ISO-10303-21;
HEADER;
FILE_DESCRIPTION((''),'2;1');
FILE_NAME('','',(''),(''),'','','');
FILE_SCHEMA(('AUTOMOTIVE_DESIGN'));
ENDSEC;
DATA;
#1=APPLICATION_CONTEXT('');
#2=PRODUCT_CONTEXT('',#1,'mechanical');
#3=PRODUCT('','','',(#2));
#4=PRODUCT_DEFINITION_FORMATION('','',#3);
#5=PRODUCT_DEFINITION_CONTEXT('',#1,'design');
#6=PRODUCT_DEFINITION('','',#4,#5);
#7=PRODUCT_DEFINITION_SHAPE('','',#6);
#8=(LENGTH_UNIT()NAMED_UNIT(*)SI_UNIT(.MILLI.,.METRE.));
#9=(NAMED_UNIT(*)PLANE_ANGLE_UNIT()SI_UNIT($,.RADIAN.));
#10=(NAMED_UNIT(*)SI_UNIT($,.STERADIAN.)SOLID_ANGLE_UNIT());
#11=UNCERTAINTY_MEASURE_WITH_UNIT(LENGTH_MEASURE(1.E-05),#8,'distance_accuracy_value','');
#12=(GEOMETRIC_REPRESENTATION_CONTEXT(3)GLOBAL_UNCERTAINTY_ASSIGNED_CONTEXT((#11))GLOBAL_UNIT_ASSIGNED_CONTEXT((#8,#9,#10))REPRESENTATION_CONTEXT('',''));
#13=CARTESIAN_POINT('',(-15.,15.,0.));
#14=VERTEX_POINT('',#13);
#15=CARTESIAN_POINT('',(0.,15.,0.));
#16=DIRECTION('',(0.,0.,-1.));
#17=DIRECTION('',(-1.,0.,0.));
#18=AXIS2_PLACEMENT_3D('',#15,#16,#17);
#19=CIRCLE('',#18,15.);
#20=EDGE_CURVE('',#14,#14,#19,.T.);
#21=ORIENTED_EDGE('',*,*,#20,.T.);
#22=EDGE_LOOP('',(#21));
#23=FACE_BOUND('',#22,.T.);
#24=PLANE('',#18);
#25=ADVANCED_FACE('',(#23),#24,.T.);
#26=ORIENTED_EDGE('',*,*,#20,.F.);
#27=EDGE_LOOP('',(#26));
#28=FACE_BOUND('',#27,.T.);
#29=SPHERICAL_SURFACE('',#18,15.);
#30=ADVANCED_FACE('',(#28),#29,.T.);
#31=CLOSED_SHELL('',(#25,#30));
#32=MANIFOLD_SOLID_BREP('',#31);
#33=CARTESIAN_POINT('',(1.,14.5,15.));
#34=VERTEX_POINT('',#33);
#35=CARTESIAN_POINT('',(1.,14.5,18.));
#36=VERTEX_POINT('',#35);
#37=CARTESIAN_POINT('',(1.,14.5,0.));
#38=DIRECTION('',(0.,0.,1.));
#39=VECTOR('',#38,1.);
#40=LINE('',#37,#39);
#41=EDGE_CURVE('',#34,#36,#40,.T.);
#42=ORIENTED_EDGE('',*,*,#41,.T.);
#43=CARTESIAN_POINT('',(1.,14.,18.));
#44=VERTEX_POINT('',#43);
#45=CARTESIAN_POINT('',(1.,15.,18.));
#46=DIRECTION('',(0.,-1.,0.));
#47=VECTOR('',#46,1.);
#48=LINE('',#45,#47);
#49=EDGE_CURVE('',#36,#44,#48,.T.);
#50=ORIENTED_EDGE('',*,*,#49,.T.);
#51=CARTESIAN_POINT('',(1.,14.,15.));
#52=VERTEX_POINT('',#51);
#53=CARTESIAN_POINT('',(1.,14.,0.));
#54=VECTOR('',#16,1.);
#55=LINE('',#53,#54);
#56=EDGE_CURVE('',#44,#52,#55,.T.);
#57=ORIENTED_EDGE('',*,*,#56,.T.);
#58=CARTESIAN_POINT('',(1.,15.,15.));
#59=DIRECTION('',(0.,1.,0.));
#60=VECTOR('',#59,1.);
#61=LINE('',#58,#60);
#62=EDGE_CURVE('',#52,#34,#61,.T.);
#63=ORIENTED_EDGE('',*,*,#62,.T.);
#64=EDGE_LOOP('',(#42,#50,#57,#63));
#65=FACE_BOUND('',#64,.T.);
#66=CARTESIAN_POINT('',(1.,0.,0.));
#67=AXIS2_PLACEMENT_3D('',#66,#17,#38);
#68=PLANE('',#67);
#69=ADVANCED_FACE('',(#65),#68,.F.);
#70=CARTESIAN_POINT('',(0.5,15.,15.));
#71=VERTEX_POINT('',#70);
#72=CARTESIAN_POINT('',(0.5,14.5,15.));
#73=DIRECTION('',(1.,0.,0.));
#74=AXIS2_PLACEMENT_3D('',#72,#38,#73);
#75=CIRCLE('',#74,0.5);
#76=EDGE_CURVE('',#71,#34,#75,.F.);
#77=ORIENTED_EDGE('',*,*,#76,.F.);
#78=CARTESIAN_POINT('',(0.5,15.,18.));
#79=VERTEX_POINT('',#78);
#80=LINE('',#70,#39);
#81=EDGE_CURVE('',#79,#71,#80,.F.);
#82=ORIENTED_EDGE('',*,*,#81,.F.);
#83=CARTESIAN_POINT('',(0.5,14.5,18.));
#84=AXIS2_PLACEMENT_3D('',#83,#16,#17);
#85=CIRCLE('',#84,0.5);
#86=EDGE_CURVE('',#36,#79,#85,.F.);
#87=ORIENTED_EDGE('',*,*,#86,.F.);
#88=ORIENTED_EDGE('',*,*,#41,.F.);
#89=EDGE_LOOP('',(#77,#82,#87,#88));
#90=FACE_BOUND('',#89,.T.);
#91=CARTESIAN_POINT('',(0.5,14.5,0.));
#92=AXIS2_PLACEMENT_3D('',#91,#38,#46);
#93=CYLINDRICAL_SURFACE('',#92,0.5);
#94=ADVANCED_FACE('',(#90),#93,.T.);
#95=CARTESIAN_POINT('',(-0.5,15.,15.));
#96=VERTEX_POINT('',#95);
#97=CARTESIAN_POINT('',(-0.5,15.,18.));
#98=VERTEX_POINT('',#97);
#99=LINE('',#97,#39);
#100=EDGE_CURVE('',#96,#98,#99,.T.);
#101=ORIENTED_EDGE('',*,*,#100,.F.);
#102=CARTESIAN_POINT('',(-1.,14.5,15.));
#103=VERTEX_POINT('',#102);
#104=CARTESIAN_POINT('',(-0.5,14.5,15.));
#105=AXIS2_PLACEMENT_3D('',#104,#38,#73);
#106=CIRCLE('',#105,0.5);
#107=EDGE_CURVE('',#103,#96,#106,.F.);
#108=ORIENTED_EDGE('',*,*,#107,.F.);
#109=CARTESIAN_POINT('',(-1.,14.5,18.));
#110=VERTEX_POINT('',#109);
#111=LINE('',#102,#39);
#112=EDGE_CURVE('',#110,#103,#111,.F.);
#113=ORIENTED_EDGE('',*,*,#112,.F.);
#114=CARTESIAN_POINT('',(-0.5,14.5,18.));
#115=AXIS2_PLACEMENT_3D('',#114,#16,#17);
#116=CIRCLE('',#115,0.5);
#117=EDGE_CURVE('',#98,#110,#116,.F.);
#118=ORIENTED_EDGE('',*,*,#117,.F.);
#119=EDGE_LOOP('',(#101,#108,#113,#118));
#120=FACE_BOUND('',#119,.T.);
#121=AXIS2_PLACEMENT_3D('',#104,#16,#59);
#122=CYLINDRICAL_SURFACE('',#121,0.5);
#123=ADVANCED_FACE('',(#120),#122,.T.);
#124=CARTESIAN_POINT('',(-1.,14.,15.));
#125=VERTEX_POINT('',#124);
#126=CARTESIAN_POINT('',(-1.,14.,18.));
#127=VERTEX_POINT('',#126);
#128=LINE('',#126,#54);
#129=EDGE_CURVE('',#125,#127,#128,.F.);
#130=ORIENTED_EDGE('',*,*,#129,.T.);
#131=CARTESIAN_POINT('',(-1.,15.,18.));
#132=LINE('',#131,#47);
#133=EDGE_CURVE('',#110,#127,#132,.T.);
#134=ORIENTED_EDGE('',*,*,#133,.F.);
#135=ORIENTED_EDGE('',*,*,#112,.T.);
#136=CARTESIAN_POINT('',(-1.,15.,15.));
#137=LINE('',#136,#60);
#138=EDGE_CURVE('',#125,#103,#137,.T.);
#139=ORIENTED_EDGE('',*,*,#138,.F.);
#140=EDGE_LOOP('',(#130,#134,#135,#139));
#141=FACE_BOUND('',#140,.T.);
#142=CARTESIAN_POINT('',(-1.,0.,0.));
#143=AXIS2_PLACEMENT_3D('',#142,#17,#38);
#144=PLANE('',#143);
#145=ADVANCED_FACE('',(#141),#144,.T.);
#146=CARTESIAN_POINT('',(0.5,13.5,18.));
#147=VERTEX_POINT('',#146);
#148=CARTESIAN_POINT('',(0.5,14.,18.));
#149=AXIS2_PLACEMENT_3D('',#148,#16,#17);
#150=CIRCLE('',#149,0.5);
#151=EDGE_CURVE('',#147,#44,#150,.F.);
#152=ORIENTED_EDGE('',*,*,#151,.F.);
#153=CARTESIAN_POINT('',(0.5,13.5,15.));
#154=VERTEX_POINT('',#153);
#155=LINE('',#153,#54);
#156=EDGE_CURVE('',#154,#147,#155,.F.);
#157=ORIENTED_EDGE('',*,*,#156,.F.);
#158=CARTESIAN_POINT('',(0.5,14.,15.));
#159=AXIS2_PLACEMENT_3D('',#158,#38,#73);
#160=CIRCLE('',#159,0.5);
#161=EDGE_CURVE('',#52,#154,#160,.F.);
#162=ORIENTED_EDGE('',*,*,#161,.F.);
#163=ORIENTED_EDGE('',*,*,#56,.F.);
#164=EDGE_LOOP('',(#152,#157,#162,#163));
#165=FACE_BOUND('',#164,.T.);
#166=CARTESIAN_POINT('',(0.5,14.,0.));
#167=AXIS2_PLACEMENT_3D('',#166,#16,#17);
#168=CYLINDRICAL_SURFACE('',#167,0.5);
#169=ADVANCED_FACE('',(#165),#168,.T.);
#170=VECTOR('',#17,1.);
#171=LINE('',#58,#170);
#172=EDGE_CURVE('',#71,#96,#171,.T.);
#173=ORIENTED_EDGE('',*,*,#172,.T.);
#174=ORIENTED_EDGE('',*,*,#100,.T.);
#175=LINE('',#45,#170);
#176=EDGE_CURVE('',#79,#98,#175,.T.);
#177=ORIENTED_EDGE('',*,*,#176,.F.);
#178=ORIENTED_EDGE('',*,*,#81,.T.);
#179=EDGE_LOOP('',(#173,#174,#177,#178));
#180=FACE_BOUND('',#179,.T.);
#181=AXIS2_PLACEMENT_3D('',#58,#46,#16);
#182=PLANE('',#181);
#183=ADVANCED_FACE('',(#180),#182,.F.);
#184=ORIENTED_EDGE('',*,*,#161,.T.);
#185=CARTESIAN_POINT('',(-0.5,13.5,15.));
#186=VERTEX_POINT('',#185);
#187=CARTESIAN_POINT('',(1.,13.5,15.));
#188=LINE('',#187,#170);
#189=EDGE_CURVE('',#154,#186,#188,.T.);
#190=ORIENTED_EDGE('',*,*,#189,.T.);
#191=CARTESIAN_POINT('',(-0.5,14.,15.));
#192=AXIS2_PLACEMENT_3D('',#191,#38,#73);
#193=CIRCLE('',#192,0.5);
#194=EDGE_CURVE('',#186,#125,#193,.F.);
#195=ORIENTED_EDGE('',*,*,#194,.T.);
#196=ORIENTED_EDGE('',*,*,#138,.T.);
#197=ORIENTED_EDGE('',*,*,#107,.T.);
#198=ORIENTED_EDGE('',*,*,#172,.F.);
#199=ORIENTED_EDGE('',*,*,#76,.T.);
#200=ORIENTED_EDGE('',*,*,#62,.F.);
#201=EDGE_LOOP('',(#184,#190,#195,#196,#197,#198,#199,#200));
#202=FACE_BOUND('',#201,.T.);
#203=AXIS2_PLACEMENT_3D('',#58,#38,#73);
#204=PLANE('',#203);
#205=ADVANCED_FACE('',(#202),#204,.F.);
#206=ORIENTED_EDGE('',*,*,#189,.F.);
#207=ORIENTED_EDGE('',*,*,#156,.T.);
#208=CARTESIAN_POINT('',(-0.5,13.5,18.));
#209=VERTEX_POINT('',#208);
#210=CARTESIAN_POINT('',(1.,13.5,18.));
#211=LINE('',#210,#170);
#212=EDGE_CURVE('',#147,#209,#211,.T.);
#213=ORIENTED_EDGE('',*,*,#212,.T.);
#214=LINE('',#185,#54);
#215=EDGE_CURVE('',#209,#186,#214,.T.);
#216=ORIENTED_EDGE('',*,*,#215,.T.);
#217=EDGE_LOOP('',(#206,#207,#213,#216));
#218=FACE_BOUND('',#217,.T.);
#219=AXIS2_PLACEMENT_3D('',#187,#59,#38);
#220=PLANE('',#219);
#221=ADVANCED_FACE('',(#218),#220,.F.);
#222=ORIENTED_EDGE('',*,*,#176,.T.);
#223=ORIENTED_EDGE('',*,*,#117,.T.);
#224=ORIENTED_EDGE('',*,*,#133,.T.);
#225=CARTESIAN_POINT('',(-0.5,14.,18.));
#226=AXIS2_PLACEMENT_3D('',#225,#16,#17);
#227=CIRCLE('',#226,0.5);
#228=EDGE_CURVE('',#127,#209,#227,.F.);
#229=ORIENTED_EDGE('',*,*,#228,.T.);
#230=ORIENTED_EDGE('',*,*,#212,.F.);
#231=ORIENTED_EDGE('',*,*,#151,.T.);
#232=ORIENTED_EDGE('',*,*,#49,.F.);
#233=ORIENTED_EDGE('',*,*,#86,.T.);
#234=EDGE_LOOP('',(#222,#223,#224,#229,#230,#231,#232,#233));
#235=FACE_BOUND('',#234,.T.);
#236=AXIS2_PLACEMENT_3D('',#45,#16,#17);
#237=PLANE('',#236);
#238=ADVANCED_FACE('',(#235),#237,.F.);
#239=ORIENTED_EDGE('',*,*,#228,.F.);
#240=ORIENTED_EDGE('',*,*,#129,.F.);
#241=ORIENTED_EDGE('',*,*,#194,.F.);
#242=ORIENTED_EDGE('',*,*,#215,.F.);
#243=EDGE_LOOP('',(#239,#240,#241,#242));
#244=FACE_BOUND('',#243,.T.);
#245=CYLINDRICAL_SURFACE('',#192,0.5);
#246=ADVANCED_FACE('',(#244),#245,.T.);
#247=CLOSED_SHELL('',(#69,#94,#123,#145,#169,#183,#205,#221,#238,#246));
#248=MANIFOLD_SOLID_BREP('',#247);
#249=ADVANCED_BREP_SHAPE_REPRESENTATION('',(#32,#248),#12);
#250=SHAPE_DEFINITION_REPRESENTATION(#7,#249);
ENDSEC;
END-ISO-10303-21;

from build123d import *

# Parameters (mm, degrees)
REVOLVE1_ANGLE      = 180
SKETCH11_W          = 3
SKETCH11_H          = 1.5
BOSS_EXTRUDE4_DEPTH = 1
FILLET1_R           = 0.5


with BuildPart() as part:
    # Sketch3 → Revolve1 (revolve)
    with BuildSketch(Plane.XY):
        with BuildLine():
            Line((0, 0), (0, 30))
            ThreePointArc((0, 30), (-15, 15), (0, 0))
        make_face()
    revolve(axis=Axis((0, 0, 0), (0, 1, 0)), revolution_arc=REVOLVE1_ANGLE)


with BuildPart() as body_2:
    # Sketch11 → Boss-Extrude4 (new, symmetric)
    with BuildSketch(Plane(origin=(0, 0, 0), x_dir=(0, 0, -1), z_dir=(1, 0, 0))):
        with Locations((-16.5, 14.25)):
            Rectangle(SKETCH11_W, SKETCH11_H)
    extrude(amount=BOSS_EXTRUDE4_DEPTH, both=True)

    # Fillet1
    fillet1_edges = [body_2.edges().sort_by_distance(p)[0] for p in [
        (1, 13.5, 16.5),
        (-1, 13.5, 16.5),
        (-1, 15, 16.5),
        (1, 15, 16.5),
    ]]
    fillet(fillet1_edges, radius=FILLET1_R)


solid = Compound([part.part, body_2.part])
